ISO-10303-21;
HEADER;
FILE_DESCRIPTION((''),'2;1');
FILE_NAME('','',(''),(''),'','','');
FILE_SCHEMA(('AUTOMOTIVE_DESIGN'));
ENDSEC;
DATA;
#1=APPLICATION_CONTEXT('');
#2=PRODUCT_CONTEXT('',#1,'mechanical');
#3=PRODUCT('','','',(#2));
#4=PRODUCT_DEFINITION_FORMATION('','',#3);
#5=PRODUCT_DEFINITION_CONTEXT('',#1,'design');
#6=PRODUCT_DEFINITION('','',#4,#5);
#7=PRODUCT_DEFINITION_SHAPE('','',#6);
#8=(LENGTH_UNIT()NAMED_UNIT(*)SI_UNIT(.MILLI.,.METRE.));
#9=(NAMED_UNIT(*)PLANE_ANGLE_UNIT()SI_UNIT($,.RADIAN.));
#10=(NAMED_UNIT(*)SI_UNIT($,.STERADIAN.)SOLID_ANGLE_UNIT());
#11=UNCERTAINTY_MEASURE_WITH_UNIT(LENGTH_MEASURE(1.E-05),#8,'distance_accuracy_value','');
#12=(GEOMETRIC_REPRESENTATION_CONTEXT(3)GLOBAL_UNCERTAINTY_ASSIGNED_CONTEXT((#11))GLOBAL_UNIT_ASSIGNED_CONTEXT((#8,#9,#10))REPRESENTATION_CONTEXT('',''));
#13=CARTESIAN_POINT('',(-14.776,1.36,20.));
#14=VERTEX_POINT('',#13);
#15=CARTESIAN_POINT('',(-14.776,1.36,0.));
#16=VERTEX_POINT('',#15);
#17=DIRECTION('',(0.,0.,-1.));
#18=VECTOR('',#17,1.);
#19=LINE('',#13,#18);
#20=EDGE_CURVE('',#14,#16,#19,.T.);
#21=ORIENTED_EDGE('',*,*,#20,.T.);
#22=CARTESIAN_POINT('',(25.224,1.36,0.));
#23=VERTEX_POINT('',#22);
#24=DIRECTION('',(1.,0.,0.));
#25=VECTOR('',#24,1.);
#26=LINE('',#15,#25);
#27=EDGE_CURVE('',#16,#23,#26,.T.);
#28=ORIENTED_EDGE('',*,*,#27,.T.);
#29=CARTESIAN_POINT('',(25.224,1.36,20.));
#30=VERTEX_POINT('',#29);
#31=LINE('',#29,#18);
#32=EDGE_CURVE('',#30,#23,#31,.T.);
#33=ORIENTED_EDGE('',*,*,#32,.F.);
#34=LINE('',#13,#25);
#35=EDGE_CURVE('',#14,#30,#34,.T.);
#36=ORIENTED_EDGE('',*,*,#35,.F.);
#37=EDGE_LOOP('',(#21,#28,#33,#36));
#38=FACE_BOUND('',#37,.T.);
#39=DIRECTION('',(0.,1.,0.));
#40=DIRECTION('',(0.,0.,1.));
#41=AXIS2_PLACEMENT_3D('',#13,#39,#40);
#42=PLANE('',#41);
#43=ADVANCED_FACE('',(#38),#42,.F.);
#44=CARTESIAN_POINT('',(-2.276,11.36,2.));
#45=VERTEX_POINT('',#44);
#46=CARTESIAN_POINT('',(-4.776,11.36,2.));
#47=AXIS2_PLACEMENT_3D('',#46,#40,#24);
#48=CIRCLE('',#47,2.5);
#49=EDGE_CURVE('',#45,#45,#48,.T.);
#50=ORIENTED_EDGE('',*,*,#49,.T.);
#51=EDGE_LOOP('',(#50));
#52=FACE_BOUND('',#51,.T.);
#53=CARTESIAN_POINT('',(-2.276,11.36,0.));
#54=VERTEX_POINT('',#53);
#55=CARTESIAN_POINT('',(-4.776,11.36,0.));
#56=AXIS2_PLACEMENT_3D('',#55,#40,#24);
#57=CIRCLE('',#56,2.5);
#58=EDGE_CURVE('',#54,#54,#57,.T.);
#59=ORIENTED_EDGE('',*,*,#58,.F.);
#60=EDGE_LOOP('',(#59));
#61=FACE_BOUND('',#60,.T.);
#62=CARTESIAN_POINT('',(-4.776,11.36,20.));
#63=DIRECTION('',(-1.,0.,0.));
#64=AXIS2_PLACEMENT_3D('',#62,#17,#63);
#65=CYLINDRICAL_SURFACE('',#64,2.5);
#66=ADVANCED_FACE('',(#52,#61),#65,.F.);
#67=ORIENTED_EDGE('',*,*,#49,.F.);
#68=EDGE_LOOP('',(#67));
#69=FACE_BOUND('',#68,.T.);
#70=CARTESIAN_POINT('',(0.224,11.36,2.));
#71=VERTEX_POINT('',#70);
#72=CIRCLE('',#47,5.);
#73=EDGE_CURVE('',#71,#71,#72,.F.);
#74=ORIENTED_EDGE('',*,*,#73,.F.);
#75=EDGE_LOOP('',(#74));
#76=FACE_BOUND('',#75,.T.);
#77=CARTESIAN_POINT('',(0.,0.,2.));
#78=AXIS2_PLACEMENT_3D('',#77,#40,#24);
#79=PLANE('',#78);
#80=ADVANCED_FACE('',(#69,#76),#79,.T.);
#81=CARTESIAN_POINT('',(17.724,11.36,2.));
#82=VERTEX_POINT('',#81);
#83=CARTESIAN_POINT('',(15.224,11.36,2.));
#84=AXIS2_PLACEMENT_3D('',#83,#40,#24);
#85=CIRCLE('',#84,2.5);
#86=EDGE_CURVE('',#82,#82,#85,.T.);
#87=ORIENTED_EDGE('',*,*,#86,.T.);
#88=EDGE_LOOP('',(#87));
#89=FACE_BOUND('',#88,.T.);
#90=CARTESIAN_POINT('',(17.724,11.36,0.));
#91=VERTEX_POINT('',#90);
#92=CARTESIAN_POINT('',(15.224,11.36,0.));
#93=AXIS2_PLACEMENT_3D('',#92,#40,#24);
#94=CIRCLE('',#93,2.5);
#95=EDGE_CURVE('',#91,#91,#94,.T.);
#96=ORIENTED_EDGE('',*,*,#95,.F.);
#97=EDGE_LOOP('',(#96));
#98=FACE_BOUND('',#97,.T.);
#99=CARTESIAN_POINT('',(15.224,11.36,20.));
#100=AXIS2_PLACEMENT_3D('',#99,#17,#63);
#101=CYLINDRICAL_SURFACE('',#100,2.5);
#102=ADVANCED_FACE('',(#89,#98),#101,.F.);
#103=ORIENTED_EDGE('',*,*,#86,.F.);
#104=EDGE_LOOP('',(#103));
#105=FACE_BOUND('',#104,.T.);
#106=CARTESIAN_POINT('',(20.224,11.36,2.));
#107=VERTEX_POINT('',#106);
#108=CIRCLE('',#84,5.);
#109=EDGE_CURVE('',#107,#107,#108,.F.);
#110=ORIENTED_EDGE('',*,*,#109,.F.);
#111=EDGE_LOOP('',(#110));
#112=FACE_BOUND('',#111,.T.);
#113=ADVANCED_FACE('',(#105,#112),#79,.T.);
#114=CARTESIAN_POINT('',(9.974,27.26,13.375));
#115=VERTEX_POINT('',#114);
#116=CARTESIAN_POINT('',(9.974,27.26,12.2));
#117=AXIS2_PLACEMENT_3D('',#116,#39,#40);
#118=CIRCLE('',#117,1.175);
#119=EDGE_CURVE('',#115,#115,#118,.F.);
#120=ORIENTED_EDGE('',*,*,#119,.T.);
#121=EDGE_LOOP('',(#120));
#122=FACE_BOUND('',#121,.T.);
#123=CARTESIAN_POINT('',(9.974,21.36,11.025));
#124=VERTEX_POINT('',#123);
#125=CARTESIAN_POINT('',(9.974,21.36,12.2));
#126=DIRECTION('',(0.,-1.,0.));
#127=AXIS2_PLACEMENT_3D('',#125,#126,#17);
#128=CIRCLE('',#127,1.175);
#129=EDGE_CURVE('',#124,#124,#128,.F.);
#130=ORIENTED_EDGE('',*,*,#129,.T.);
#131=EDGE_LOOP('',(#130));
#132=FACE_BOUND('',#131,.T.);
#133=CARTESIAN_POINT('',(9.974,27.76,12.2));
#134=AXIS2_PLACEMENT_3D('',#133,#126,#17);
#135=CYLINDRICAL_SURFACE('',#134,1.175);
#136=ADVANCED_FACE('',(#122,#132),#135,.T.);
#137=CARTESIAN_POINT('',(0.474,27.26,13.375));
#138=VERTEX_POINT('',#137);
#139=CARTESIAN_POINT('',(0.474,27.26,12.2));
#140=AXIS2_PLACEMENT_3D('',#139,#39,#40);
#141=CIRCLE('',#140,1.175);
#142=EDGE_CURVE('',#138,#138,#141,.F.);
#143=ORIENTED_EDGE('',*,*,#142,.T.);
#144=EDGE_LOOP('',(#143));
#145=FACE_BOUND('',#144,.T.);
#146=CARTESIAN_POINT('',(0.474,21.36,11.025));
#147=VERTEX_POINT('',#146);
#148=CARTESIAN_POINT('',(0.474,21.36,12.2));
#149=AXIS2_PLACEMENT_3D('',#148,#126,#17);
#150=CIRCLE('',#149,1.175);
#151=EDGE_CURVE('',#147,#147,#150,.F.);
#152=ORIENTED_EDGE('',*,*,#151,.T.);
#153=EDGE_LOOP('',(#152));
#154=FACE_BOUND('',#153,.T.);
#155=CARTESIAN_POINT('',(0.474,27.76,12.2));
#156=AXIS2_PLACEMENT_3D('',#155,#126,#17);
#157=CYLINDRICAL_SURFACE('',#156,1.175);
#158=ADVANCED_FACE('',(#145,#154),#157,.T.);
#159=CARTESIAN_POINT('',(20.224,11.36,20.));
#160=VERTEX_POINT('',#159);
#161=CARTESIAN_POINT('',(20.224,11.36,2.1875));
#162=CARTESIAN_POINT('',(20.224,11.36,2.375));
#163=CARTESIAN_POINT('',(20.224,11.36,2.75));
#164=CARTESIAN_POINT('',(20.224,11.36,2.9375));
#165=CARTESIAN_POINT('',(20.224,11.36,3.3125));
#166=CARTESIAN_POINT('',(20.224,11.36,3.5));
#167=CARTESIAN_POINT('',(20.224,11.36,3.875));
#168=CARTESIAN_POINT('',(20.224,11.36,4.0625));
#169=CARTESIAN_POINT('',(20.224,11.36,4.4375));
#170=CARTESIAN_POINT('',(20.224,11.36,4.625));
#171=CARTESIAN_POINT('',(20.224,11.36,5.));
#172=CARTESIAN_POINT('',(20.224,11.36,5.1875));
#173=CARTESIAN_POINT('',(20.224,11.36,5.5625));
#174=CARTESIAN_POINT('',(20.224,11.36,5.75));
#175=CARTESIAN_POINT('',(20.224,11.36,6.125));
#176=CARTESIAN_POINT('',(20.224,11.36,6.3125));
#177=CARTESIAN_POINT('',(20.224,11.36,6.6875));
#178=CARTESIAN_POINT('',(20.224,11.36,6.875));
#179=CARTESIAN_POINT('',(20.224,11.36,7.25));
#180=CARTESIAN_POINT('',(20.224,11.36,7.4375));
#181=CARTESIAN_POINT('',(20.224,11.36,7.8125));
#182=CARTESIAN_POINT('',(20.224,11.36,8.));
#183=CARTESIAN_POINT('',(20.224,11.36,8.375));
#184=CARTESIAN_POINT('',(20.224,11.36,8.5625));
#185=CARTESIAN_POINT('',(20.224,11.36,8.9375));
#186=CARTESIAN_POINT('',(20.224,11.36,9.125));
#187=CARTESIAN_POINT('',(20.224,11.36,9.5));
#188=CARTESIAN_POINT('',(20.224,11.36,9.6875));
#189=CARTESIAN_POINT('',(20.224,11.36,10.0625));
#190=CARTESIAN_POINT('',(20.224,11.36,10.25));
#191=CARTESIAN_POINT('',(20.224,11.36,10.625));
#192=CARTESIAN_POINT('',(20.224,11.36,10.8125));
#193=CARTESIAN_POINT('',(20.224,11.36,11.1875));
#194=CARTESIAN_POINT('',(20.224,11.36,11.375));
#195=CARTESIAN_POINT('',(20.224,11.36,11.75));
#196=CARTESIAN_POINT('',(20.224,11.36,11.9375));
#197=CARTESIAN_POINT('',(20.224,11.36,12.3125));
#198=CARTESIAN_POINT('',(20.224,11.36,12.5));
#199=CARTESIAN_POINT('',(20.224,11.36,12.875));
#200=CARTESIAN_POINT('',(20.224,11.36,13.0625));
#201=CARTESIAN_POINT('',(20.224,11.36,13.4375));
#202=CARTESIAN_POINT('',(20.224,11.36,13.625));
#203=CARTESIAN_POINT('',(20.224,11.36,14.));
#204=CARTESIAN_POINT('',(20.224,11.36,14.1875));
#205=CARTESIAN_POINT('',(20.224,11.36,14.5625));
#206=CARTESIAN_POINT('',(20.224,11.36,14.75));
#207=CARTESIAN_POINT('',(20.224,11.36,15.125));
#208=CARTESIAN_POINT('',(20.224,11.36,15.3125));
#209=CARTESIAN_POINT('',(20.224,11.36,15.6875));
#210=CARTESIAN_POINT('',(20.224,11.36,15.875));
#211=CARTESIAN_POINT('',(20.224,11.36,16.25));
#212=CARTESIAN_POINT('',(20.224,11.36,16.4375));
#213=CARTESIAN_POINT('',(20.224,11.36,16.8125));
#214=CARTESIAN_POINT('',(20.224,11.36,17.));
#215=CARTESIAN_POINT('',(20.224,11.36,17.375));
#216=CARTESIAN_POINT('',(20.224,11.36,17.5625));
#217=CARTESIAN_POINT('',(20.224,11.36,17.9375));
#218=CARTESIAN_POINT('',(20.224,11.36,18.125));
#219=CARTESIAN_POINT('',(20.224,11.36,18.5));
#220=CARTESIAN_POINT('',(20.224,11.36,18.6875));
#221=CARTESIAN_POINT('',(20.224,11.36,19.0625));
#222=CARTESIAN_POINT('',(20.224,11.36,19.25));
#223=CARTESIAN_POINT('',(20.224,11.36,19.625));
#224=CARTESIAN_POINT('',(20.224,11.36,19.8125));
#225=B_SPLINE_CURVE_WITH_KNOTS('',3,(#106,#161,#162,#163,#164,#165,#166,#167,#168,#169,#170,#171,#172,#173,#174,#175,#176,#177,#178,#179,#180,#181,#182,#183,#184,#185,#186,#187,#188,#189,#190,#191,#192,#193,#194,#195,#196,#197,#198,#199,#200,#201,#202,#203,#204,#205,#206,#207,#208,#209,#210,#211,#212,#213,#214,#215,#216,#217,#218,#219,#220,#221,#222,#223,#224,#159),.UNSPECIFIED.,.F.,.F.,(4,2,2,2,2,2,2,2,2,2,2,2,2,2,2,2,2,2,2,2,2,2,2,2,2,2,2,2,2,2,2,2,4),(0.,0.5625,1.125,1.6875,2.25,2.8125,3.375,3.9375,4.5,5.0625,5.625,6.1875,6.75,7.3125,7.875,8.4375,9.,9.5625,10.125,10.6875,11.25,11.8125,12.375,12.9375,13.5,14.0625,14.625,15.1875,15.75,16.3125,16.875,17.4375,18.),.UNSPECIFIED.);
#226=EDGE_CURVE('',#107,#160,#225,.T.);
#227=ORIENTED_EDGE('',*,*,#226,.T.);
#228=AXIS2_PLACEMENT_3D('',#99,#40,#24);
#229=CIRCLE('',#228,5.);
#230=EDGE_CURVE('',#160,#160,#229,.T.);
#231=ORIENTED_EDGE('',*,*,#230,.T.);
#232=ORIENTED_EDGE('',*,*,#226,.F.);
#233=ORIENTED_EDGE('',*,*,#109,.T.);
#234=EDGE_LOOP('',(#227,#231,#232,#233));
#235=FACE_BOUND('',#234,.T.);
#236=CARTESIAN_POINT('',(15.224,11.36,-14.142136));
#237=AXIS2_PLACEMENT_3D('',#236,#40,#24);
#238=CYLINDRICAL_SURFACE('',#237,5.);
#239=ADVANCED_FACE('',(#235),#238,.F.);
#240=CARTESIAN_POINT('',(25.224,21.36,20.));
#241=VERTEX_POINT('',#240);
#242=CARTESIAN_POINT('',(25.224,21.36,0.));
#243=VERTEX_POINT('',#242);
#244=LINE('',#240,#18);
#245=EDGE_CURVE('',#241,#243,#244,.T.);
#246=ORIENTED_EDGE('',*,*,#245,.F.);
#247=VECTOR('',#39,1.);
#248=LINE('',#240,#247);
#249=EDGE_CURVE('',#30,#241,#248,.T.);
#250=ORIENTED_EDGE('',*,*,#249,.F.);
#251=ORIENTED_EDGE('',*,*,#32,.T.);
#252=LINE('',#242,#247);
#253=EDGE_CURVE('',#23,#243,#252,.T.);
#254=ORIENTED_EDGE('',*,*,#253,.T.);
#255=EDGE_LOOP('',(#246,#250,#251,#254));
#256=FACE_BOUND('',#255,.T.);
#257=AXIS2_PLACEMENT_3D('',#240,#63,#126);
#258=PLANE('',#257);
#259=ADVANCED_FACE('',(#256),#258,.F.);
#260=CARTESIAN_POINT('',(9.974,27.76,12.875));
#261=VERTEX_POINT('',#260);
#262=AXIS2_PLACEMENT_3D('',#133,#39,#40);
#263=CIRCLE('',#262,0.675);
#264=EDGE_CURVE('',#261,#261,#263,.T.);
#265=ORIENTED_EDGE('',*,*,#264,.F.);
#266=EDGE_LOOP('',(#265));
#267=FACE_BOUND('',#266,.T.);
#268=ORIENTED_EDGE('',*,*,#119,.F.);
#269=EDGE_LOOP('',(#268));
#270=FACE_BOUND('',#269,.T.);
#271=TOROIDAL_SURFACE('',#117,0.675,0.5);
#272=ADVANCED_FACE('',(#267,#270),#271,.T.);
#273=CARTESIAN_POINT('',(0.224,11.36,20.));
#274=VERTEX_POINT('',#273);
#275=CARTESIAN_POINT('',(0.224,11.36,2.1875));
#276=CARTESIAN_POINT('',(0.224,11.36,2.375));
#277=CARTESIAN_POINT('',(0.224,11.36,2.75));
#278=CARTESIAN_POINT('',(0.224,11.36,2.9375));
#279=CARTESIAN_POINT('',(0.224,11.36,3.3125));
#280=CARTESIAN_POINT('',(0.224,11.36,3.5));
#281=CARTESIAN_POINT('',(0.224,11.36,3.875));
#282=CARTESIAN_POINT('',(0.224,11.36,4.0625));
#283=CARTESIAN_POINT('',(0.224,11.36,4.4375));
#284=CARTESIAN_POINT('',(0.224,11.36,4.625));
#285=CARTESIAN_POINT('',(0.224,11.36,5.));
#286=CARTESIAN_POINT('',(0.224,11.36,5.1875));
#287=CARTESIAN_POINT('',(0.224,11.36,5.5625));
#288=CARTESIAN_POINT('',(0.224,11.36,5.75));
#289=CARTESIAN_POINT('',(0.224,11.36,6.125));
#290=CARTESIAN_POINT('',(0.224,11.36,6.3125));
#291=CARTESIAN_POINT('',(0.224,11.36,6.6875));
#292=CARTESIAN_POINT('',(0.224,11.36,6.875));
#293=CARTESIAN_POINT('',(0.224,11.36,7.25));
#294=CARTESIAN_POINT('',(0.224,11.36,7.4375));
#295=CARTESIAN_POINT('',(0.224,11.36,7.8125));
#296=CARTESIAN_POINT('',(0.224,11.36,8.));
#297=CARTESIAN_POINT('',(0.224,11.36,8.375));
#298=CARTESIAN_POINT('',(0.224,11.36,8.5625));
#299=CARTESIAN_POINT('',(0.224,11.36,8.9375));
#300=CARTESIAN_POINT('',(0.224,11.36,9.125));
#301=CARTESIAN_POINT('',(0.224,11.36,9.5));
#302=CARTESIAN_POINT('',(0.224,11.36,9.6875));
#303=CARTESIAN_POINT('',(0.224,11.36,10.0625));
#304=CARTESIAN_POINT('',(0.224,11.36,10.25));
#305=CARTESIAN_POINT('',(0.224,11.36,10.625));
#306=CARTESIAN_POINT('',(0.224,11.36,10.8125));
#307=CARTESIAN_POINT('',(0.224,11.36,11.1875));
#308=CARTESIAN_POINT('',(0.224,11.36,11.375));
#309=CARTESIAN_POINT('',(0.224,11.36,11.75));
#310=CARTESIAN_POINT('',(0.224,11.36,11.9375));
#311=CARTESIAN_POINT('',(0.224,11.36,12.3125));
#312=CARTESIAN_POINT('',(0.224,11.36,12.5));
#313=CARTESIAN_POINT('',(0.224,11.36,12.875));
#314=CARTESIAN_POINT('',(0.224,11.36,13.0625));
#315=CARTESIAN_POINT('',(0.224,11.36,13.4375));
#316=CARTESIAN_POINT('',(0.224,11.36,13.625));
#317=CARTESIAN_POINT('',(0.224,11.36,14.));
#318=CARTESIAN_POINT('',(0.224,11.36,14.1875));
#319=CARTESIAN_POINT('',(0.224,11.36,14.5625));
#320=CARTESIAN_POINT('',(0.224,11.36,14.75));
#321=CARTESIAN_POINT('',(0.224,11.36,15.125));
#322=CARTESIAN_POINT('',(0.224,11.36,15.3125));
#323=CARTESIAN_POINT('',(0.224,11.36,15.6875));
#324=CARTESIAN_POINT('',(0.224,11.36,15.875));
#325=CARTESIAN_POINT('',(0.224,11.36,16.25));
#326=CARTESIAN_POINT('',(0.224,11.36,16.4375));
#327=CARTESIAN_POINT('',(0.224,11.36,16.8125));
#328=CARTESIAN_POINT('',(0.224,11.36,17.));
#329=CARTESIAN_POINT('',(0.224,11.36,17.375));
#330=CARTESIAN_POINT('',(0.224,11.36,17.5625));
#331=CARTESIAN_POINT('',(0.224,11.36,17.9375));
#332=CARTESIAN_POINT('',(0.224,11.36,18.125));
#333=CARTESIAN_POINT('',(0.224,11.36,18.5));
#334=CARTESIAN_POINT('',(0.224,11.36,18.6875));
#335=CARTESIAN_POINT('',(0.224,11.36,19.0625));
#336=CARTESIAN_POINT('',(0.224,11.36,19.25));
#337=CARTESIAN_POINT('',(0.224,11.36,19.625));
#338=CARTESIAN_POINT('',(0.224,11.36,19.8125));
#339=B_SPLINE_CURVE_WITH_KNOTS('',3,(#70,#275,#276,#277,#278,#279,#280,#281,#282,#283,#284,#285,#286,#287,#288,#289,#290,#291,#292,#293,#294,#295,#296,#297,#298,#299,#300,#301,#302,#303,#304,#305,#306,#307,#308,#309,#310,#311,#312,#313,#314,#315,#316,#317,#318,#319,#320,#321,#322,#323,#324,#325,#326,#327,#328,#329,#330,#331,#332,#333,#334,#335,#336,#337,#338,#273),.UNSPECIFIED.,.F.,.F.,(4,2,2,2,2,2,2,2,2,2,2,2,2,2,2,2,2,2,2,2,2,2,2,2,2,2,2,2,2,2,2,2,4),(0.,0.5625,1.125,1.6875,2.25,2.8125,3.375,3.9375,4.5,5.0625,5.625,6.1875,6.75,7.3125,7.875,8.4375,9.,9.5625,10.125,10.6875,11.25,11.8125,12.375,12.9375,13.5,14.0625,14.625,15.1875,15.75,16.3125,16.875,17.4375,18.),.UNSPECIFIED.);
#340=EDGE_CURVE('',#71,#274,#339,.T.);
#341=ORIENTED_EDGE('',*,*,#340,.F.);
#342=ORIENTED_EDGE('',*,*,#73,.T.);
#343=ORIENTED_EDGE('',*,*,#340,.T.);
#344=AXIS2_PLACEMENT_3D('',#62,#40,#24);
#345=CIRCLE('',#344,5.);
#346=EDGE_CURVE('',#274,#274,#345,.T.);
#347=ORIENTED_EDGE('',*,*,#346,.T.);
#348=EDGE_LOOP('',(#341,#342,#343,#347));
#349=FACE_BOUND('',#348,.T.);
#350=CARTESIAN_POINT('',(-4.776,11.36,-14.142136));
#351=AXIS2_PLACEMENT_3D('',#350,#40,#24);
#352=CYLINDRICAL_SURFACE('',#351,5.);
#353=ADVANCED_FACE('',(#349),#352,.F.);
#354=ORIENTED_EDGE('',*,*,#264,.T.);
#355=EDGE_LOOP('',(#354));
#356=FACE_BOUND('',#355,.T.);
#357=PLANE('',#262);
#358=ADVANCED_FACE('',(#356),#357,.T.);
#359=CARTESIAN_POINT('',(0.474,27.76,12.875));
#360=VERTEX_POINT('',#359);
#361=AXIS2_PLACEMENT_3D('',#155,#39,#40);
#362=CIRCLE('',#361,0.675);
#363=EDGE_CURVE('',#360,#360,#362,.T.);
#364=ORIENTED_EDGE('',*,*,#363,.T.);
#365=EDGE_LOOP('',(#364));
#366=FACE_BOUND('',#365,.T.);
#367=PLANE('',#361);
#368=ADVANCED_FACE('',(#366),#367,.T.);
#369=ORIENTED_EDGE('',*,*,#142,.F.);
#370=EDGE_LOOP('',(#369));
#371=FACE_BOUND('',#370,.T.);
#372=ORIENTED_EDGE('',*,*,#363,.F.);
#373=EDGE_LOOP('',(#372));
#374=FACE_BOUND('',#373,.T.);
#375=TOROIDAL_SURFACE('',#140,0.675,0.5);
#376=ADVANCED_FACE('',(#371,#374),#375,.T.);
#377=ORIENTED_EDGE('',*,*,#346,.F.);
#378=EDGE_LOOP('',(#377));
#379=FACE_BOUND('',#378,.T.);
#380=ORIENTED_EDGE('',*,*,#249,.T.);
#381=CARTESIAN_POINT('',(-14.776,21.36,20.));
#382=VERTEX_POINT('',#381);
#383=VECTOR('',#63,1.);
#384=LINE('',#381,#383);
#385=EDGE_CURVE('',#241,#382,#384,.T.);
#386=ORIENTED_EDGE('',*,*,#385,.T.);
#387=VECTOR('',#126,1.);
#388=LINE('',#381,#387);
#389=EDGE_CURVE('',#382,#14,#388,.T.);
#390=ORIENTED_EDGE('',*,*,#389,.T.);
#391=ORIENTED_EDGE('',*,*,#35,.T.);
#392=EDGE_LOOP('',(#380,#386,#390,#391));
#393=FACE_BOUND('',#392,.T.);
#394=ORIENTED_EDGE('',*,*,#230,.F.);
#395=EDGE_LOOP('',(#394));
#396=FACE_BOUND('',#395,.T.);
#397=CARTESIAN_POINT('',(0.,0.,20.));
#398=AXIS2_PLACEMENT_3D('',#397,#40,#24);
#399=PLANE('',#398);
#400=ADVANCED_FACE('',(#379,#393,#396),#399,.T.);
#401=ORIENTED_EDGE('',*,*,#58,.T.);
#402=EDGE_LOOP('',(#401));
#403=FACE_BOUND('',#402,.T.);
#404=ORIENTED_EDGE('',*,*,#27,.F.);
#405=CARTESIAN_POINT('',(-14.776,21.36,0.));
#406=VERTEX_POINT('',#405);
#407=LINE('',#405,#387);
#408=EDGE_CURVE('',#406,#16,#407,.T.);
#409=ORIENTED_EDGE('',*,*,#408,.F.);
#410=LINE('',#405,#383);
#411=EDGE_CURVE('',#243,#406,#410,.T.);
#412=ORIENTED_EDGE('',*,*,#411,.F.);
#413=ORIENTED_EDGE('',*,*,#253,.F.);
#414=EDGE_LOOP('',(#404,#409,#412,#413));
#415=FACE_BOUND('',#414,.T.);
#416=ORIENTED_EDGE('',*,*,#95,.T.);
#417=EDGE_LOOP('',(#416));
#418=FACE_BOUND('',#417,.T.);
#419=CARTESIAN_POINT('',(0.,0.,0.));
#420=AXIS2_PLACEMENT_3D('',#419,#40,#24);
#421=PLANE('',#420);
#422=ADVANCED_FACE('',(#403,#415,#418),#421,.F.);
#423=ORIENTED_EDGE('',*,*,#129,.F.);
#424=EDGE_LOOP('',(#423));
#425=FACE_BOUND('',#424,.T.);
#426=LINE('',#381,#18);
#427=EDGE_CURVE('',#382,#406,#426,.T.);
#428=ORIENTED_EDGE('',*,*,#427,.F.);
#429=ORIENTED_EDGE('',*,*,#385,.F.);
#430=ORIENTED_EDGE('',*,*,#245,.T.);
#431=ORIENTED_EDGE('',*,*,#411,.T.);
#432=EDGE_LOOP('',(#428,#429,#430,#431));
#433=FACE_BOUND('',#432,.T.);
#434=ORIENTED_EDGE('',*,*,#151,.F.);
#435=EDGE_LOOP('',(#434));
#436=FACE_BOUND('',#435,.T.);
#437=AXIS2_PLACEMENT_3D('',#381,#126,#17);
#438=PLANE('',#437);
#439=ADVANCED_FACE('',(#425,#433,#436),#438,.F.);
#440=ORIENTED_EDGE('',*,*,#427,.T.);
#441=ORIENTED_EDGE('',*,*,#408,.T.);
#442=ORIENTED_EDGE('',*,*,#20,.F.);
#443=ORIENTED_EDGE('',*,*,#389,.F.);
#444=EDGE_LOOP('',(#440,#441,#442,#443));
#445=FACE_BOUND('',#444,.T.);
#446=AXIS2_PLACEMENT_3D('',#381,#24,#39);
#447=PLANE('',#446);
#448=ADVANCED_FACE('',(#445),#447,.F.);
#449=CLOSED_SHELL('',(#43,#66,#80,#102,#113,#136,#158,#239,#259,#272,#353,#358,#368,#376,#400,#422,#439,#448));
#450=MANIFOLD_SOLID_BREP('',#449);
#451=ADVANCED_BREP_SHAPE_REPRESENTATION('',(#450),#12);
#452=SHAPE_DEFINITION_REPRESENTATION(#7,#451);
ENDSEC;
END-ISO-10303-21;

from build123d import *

# Parameters (mm, degrees)
SKETCH1_W           = 40
SKETCH1_H           = 20
SKETCH1_R           = 2.5
BOSS_EXTRUDE1_DEPTH = 20
SKETCH2_R           = 5
CUT_EXTRUDE1_DEPTH  = 18
SKETCH4_R           = 1.175
BOSS_EXTRUDE2_DEPTH = 6.4
FILLET1_R           = 0.5


with BuildPart() as part:
    # Sketch1 → Boss-Extrude1 (new body)
    with BuildSketch(Plane.XY):
        with Locations((5.224, 11.36)):
            Rectangle(SKETCH1_W, SKETCH1_H)
        with Locations((-4.776, 11.36)):
            Circle(SKETCH1_R, mode=Mode.SUBTRACT)
        with Locations((15.224, 11.36)):
            Circle(SKETCH1_R, mode=Mode.SUBTRACT)
    extrude(amount=BOSS_EXTRUDE1_DEPTH)

    # Sketch2 → Cut-Extrude1 (cut)
    with BuildSketch(Plane.XY.offset(20)):
        with Locations((-4.776, 11.36)):
            Circle(SKETCH2_R)
        with Locations((15.224, 11.36)):
            Circle(SKETCH2_R)
    extrude(amount=-CUT_EXTRUDE1_DEPTH, mode=Mode.SUBTRACT)

    # Sketch4 → Boss-Extrude2 (add)
    with BuildSketch(Plane(origin=(0, 21.36, 0), x_dir=(1, 0, 0), z_dir=(0, 1, 0))):
        with Locations(Location((9.974, -12.2, 0), (0, 0, 90))):
            Circle(SKETCH4_R)
        with Locations(Location((0.474, -12.2, 0), (0, 0, 90))):
            Circle(SKETCH4_R)
    extrude(amount=BOSS_EXTRUDE2_DEPTH)

    # Fillet1
    fillet1_edges = [part.edges().sort_by_distance(p)[0] for p in [
        (9.974, 27.76, 13.375),
        (0.474, 27.76, 13.375),
    ]]
    fillet(fillet1_edges, radius=FILLET1_R)


solid = part.part
